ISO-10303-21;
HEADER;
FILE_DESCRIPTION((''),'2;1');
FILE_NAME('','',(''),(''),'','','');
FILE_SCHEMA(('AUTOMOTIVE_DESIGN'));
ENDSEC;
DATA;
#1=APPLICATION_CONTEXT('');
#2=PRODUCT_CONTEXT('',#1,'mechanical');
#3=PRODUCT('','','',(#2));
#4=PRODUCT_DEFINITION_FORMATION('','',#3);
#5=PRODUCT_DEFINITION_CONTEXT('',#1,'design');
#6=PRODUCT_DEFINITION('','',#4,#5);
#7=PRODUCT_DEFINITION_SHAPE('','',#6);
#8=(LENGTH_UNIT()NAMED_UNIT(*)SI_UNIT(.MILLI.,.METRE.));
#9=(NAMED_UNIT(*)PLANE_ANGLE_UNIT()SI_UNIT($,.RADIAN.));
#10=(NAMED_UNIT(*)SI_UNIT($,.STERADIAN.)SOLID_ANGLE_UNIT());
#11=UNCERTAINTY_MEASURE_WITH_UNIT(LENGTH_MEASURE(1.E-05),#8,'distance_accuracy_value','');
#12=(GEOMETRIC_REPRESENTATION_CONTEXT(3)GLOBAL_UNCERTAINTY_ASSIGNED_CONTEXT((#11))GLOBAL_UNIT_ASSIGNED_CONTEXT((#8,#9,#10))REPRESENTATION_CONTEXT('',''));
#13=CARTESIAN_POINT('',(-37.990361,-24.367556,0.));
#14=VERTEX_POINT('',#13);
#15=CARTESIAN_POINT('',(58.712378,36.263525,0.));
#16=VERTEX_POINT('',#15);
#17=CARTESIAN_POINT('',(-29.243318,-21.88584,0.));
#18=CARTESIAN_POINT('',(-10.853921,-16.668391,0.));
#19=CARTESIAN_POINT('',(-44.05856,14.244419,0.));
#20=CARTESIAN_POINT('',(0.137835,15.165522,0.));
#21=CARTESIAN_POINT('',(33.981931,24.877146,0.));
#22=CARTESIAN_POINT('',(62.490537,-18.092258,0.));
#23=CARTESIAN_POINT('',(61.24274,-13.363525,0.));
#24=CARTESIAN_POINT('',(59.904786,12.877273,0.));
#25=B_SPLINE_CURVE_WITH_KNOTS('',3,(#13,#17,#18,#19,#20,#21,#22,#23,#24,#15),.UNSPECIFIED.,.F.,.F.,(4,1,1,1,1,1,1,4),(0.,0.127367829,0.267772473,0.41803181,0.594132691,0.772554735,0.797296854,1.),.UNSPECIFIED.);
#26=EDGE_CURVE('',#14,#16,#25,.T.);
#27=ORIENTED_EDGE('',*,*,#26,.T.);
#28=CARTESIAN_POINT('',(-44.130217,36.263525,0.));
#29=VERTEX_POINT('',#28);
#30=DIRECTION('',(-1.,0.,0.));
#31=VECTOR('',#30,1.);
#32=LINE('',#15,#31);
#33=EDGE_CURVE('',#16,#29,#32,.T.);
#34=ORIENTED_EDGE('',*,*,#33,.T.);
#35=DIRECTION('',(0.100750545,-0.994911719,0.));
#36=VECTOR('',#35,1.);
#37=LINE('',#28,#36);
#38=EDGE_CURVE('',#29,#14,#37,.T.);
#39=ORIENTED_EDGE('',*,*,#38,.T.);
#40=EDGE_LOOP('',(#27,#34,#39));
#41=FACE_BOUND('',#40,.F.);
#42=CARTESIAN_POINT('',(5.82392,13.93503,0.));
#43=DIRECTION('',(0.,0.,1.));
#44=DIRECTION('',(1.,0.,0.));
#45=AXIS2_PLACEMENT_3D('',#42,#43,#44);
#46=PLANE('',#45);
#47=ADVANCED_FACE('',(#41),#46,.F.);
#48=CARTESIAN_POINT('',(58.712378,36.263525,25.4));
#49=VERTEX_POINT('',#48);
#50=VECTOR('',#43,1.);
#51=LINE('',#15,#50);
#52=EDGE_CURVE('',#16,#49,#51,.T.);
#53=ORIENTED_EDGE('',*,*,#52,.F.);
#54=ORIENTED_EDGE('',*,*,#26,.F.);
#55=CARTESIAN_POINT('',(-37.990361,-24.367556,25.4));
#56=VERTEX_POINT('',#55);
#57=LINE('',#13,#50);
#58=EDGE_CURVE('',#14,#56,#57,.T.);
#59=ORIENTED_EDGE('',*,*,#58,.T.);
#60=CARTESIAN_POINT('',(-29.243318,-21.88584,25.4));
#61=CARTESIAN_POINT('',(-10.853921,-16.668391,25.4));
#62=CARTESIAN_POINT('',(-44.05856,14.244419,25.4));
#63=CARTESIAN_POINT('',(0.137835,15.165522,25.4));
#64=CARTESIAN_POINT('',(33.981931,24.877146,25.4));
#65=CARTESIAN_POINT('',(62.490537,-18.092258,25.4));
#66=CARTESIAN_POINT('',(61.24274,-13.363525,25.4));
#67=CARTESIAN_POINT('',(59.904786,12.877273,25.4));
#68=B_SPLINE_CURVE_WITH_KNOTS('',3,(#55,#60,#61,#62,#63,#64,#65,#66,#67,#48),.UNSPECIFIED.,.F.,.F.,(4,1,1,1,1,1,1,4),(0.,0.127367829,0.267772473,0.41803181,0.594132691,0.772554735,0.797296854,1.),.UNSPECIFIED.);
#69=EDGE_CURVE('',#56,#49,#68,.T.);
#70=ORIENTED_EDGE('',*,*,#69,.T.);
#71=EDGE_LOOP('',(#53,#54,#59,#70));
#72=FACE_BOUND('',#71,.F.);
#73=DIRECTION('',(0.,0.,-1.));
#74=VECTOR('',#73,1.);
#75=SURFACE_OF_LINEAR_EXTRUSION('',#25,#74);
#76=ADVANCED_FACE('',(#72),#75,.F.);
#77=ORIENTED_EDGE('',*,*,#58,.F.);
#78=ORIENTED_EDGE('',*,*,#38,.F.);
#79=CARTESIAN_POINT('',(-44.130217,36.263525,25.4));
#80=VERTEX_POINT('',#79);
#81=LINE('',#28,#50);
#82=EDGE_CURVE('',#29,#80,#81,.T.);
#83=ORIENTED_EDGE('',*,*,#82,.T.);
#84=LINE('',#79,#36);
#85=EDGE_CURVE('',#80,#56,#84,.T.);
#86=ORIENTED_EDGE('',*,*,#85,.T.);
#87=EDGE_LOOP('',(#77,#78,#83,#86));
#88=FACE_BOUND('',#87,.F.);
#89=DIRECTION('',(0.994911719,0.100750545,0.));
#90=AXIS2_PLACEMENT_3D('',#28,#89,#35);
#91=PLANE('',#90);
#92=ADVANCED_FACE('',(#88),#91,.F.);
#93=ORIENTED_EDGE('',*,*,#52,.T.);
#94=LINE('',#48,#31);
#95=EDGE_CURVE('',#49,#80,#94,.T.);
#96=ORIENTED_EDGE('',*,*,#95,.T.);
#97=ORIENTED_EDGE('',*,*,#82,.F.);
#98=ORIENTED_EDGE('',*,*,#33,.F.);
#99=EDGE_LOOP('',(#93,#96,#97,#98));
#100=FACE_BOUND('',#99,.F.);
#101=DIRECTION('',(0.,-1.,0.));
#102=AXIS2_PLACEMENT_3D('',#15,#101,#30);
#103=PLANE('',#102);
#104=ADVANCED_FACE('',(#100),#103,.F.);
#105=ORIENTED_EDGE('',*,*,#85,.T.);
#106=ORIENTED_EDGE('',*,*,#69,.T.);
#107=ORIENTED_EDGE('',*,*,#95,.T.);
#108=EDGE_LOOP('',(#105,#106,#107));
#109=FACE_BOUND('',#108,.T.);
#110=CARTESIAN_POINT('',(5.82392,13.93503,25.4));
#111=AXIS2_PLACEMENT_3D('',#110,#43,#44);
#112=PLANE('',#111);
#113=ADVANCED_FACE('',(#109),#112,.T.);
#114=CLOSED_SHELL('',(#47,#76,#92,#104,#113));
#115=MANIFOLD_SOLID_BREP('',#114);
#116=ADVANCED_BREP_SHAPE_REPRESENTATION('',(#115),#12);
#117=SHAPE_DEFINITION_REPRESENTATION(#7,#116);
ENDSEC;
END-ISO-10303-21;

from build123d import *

# Parameters (mm, degrees)
F1_DEPTH = 25.4


with BuildPart() as f1:
    # F0 (on Top) → F1 (new body)
    with BuildSketch(Plane.XY):
        with BuildLine():
            Line((58.7123781443, 36.263525486), (-44.130217284, 36.263525486))
            Line((-44.130217284, 36.263525486), (-37.9903614521, -24.3675559759))
            add(Edge.make_bspline(
                [(-37.9903614521, -24.3675559759), (-29.2433177679, -21.8858402343), (-10.8539212298, -16.668391172), (-44.0585603675, 14.2444187872), (0.1378347675, 15.1655220812), (33.981930952, 24.8771460961), (62.4905366104, -18.0922577444), (61.2427395867, -13.3635251711), (59.9047857194, 12.877273173), (58.7123781443, 36.263525486)],
                knots=[0, 0, 0, 0, 0.1273678294, 0.2677724733, 0.4180318098, 0.5941326909, 0.7725547345, 0.7972968545, 1, 1, 1, 1], degree=3))
        make_face()
    extrude(amount=F1_DEPTH)


solid = f1.part
